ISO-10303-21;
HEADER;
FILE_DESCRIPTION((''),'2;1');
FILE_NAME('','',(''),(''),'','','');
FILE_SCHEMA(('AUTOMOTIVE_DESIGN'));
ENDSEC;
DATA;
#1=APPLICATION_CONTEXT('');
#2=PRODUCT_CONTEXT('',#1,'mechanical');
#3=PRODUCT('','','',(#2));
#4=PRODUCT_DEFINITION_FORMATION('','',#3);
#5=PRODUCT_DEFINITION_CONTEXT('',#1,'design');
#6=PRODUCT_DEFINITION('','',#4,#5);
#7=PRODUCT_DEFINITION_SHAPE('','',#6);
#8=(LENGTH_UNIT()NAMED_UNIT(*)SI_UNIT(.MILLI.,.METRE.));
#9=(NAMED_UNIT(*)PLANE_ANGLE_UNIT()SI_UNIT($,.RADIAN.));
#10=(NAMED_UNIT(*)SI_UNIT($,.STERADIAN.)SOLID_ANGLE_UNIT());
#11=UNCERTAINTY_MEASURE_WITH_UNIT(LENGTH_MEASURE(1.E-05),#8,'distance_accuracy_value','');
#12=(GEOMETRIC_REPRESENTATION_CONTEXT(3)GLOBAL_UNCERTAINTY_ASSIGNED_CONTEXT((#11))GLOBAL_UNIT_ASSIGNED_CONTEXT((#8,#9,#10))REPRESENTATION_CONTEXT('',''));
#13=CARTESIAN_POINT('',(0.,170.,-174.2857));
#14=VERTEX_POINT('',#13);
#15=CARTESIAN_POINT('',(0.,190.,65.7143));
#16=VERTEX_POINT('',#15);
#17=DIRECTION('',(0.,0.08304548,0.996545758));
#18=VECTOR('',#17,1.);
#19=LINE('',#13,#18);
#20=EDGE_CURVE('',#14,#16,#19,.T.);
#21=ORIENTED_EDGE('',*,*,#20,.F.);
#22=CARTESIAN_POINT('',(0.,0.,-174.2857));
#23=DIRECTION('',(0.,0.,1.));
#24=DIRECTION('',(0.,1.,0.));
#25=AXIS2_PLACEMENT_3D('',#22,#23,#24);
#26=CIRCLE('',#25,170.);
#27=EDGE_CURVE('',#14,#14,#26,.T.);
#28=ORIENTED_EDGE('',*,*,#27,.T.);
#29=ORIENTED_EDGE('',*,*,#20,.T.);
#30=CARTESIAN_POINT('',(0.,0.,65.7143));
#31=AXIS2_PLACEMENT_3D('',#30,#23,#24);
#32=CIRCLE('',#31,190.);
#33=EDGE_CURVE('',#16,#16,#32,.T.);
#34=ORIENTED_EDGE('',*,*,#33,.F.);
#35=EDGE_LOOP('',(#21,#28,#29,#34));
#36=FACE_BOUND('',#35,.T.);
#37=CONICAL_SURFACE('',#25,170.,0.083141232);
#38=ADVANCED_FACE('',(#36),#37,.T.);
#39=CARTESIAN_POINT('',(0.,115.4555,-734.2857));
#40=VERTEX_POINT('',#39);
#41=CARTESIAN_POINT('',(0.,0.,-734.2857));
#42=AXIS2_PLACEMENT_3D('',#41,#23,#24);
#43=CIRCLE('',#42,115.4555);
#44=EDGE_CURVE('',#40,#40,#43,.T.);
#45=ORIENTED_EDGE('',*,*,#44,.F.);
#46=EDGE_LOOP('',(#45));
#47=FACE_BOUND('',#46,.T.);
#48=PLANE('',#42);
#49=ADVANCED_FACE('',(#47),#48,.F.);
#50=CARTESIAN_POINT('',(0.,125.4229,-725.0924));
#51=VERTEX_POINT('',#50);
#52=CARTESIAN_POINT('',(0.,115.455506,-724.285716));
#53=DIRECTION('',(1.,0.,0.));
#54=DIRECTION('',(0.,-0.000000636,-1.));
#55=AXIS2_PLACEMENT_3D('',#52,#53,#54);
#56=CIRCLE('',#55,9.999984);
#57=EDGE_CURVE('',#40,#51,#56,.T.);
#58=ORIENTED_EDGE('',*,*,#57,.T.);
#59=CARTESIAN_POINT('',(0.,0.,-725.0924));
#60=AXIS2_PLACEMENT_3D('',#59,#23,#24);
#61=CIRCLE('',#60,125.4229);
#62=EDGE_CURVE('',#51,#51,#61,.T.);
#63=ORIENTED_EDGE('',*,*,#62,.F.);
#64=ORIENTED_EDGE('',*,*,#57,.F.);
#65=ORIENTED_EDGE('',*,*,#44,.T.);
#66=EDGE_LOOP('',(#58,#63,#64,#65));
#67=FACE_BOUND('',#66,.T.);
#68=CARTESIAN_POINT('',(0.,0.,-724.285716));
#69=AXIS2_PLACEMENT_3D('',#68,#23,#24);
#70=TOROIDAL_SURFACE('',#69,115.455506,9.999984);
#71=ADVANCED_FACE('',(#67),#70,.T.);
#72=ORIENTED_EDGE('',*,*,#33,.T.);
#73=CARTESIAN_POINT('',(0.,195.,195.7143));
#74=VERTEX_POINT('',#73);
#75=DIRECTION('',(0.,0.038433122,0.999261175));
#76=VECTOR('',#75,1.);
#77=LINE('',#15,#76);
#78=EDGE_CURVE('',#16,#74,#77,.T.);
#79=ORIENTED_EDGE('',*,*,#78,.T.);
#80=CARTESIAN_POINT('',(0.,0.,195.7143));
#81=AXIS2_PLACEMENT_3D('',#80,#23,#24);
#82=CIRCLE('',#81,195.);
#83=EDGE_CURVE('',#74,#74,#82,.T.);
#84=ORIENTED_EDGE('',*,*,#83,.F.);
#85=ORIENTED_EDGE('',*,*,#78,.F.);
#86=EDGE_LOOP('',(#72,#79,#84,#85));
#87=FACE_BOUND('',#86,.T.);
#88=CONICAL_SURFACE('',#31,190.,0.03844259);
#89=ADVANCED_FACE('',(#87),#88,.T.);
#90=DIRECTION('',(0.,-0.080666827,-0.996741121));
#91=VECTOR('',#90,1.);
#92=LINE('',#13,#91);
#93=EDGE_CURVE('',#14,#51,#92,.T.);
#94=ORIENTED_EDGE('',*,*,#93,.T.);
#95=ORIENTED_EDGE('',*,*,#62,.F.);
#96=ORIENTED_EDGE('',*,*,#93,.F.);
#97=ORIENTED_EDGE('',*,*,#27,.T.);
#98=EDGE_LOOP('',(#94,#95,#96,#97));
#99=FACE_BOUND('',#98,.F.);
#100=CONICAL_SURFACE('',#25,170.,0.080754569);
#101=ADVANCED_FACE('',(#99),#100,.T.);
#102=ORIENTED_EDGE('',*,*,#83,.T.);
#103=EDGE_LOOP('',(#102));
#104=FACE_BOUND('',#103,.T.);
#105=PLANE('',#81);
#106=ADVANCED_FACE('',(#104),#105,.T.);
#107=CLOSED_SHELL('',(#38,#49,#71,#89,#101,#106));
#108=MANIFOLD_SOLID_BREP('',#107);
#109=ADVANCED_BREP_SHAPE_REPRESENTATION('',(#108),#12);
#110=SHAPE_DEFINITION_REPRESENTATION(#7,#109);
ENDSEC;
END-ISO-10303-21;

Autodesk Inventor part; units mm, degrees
ref_plane "YZ Plane" through (0, 0, 0) normal (1, 0, 0) x (0, 1, 0)
ref_plane "XZ Plane" through (0, 0, 0) normal (0, 1, 0) x (-1, 0, 0)
ref_plane "XY Plane" through (0, 0, 0) normal (0, 0, 1) x (1, 0, 0)
sketch "Sketch1" plane through (0, 0, 0) normal (1, 0, 0) x (0, 1, 0)
  line L0 (0, -734.2857) -> (115.4555, -734.2857)
  line L1 (170, -174.2857) -> (125.4229, -725.0924)
  arc A0 (115.4555, -734.2857) -> (125.4229, -725.0924) centre (115.4555, -724.2857) ccw
  line L2 (0, -922.6226) -> (0, 382.1038) projected
  line L3 (170, -174.2857) -> (190, 65.7143)
  line L4 (190, 65.7143) -> (195, 195.7143)
  line L5 (195, 195.7143) -> (0, 195.7143)
  point P0 (0, 0)
  point P1 (124.6789, -734.2857)
  dimension "d2" = 10
  dimension "d3" = 560
  dimension "d4" = 340
  dimension "d5" = 380
  dimension "d6" = 800
  dimension "d7" = 390
  dimension "d8" = 930
revolve "Revolution1" add sketch "Sketch1" angle 360 about axis through (0, 0, -10) along (0, 0, 1)
properties part number "Figure"
